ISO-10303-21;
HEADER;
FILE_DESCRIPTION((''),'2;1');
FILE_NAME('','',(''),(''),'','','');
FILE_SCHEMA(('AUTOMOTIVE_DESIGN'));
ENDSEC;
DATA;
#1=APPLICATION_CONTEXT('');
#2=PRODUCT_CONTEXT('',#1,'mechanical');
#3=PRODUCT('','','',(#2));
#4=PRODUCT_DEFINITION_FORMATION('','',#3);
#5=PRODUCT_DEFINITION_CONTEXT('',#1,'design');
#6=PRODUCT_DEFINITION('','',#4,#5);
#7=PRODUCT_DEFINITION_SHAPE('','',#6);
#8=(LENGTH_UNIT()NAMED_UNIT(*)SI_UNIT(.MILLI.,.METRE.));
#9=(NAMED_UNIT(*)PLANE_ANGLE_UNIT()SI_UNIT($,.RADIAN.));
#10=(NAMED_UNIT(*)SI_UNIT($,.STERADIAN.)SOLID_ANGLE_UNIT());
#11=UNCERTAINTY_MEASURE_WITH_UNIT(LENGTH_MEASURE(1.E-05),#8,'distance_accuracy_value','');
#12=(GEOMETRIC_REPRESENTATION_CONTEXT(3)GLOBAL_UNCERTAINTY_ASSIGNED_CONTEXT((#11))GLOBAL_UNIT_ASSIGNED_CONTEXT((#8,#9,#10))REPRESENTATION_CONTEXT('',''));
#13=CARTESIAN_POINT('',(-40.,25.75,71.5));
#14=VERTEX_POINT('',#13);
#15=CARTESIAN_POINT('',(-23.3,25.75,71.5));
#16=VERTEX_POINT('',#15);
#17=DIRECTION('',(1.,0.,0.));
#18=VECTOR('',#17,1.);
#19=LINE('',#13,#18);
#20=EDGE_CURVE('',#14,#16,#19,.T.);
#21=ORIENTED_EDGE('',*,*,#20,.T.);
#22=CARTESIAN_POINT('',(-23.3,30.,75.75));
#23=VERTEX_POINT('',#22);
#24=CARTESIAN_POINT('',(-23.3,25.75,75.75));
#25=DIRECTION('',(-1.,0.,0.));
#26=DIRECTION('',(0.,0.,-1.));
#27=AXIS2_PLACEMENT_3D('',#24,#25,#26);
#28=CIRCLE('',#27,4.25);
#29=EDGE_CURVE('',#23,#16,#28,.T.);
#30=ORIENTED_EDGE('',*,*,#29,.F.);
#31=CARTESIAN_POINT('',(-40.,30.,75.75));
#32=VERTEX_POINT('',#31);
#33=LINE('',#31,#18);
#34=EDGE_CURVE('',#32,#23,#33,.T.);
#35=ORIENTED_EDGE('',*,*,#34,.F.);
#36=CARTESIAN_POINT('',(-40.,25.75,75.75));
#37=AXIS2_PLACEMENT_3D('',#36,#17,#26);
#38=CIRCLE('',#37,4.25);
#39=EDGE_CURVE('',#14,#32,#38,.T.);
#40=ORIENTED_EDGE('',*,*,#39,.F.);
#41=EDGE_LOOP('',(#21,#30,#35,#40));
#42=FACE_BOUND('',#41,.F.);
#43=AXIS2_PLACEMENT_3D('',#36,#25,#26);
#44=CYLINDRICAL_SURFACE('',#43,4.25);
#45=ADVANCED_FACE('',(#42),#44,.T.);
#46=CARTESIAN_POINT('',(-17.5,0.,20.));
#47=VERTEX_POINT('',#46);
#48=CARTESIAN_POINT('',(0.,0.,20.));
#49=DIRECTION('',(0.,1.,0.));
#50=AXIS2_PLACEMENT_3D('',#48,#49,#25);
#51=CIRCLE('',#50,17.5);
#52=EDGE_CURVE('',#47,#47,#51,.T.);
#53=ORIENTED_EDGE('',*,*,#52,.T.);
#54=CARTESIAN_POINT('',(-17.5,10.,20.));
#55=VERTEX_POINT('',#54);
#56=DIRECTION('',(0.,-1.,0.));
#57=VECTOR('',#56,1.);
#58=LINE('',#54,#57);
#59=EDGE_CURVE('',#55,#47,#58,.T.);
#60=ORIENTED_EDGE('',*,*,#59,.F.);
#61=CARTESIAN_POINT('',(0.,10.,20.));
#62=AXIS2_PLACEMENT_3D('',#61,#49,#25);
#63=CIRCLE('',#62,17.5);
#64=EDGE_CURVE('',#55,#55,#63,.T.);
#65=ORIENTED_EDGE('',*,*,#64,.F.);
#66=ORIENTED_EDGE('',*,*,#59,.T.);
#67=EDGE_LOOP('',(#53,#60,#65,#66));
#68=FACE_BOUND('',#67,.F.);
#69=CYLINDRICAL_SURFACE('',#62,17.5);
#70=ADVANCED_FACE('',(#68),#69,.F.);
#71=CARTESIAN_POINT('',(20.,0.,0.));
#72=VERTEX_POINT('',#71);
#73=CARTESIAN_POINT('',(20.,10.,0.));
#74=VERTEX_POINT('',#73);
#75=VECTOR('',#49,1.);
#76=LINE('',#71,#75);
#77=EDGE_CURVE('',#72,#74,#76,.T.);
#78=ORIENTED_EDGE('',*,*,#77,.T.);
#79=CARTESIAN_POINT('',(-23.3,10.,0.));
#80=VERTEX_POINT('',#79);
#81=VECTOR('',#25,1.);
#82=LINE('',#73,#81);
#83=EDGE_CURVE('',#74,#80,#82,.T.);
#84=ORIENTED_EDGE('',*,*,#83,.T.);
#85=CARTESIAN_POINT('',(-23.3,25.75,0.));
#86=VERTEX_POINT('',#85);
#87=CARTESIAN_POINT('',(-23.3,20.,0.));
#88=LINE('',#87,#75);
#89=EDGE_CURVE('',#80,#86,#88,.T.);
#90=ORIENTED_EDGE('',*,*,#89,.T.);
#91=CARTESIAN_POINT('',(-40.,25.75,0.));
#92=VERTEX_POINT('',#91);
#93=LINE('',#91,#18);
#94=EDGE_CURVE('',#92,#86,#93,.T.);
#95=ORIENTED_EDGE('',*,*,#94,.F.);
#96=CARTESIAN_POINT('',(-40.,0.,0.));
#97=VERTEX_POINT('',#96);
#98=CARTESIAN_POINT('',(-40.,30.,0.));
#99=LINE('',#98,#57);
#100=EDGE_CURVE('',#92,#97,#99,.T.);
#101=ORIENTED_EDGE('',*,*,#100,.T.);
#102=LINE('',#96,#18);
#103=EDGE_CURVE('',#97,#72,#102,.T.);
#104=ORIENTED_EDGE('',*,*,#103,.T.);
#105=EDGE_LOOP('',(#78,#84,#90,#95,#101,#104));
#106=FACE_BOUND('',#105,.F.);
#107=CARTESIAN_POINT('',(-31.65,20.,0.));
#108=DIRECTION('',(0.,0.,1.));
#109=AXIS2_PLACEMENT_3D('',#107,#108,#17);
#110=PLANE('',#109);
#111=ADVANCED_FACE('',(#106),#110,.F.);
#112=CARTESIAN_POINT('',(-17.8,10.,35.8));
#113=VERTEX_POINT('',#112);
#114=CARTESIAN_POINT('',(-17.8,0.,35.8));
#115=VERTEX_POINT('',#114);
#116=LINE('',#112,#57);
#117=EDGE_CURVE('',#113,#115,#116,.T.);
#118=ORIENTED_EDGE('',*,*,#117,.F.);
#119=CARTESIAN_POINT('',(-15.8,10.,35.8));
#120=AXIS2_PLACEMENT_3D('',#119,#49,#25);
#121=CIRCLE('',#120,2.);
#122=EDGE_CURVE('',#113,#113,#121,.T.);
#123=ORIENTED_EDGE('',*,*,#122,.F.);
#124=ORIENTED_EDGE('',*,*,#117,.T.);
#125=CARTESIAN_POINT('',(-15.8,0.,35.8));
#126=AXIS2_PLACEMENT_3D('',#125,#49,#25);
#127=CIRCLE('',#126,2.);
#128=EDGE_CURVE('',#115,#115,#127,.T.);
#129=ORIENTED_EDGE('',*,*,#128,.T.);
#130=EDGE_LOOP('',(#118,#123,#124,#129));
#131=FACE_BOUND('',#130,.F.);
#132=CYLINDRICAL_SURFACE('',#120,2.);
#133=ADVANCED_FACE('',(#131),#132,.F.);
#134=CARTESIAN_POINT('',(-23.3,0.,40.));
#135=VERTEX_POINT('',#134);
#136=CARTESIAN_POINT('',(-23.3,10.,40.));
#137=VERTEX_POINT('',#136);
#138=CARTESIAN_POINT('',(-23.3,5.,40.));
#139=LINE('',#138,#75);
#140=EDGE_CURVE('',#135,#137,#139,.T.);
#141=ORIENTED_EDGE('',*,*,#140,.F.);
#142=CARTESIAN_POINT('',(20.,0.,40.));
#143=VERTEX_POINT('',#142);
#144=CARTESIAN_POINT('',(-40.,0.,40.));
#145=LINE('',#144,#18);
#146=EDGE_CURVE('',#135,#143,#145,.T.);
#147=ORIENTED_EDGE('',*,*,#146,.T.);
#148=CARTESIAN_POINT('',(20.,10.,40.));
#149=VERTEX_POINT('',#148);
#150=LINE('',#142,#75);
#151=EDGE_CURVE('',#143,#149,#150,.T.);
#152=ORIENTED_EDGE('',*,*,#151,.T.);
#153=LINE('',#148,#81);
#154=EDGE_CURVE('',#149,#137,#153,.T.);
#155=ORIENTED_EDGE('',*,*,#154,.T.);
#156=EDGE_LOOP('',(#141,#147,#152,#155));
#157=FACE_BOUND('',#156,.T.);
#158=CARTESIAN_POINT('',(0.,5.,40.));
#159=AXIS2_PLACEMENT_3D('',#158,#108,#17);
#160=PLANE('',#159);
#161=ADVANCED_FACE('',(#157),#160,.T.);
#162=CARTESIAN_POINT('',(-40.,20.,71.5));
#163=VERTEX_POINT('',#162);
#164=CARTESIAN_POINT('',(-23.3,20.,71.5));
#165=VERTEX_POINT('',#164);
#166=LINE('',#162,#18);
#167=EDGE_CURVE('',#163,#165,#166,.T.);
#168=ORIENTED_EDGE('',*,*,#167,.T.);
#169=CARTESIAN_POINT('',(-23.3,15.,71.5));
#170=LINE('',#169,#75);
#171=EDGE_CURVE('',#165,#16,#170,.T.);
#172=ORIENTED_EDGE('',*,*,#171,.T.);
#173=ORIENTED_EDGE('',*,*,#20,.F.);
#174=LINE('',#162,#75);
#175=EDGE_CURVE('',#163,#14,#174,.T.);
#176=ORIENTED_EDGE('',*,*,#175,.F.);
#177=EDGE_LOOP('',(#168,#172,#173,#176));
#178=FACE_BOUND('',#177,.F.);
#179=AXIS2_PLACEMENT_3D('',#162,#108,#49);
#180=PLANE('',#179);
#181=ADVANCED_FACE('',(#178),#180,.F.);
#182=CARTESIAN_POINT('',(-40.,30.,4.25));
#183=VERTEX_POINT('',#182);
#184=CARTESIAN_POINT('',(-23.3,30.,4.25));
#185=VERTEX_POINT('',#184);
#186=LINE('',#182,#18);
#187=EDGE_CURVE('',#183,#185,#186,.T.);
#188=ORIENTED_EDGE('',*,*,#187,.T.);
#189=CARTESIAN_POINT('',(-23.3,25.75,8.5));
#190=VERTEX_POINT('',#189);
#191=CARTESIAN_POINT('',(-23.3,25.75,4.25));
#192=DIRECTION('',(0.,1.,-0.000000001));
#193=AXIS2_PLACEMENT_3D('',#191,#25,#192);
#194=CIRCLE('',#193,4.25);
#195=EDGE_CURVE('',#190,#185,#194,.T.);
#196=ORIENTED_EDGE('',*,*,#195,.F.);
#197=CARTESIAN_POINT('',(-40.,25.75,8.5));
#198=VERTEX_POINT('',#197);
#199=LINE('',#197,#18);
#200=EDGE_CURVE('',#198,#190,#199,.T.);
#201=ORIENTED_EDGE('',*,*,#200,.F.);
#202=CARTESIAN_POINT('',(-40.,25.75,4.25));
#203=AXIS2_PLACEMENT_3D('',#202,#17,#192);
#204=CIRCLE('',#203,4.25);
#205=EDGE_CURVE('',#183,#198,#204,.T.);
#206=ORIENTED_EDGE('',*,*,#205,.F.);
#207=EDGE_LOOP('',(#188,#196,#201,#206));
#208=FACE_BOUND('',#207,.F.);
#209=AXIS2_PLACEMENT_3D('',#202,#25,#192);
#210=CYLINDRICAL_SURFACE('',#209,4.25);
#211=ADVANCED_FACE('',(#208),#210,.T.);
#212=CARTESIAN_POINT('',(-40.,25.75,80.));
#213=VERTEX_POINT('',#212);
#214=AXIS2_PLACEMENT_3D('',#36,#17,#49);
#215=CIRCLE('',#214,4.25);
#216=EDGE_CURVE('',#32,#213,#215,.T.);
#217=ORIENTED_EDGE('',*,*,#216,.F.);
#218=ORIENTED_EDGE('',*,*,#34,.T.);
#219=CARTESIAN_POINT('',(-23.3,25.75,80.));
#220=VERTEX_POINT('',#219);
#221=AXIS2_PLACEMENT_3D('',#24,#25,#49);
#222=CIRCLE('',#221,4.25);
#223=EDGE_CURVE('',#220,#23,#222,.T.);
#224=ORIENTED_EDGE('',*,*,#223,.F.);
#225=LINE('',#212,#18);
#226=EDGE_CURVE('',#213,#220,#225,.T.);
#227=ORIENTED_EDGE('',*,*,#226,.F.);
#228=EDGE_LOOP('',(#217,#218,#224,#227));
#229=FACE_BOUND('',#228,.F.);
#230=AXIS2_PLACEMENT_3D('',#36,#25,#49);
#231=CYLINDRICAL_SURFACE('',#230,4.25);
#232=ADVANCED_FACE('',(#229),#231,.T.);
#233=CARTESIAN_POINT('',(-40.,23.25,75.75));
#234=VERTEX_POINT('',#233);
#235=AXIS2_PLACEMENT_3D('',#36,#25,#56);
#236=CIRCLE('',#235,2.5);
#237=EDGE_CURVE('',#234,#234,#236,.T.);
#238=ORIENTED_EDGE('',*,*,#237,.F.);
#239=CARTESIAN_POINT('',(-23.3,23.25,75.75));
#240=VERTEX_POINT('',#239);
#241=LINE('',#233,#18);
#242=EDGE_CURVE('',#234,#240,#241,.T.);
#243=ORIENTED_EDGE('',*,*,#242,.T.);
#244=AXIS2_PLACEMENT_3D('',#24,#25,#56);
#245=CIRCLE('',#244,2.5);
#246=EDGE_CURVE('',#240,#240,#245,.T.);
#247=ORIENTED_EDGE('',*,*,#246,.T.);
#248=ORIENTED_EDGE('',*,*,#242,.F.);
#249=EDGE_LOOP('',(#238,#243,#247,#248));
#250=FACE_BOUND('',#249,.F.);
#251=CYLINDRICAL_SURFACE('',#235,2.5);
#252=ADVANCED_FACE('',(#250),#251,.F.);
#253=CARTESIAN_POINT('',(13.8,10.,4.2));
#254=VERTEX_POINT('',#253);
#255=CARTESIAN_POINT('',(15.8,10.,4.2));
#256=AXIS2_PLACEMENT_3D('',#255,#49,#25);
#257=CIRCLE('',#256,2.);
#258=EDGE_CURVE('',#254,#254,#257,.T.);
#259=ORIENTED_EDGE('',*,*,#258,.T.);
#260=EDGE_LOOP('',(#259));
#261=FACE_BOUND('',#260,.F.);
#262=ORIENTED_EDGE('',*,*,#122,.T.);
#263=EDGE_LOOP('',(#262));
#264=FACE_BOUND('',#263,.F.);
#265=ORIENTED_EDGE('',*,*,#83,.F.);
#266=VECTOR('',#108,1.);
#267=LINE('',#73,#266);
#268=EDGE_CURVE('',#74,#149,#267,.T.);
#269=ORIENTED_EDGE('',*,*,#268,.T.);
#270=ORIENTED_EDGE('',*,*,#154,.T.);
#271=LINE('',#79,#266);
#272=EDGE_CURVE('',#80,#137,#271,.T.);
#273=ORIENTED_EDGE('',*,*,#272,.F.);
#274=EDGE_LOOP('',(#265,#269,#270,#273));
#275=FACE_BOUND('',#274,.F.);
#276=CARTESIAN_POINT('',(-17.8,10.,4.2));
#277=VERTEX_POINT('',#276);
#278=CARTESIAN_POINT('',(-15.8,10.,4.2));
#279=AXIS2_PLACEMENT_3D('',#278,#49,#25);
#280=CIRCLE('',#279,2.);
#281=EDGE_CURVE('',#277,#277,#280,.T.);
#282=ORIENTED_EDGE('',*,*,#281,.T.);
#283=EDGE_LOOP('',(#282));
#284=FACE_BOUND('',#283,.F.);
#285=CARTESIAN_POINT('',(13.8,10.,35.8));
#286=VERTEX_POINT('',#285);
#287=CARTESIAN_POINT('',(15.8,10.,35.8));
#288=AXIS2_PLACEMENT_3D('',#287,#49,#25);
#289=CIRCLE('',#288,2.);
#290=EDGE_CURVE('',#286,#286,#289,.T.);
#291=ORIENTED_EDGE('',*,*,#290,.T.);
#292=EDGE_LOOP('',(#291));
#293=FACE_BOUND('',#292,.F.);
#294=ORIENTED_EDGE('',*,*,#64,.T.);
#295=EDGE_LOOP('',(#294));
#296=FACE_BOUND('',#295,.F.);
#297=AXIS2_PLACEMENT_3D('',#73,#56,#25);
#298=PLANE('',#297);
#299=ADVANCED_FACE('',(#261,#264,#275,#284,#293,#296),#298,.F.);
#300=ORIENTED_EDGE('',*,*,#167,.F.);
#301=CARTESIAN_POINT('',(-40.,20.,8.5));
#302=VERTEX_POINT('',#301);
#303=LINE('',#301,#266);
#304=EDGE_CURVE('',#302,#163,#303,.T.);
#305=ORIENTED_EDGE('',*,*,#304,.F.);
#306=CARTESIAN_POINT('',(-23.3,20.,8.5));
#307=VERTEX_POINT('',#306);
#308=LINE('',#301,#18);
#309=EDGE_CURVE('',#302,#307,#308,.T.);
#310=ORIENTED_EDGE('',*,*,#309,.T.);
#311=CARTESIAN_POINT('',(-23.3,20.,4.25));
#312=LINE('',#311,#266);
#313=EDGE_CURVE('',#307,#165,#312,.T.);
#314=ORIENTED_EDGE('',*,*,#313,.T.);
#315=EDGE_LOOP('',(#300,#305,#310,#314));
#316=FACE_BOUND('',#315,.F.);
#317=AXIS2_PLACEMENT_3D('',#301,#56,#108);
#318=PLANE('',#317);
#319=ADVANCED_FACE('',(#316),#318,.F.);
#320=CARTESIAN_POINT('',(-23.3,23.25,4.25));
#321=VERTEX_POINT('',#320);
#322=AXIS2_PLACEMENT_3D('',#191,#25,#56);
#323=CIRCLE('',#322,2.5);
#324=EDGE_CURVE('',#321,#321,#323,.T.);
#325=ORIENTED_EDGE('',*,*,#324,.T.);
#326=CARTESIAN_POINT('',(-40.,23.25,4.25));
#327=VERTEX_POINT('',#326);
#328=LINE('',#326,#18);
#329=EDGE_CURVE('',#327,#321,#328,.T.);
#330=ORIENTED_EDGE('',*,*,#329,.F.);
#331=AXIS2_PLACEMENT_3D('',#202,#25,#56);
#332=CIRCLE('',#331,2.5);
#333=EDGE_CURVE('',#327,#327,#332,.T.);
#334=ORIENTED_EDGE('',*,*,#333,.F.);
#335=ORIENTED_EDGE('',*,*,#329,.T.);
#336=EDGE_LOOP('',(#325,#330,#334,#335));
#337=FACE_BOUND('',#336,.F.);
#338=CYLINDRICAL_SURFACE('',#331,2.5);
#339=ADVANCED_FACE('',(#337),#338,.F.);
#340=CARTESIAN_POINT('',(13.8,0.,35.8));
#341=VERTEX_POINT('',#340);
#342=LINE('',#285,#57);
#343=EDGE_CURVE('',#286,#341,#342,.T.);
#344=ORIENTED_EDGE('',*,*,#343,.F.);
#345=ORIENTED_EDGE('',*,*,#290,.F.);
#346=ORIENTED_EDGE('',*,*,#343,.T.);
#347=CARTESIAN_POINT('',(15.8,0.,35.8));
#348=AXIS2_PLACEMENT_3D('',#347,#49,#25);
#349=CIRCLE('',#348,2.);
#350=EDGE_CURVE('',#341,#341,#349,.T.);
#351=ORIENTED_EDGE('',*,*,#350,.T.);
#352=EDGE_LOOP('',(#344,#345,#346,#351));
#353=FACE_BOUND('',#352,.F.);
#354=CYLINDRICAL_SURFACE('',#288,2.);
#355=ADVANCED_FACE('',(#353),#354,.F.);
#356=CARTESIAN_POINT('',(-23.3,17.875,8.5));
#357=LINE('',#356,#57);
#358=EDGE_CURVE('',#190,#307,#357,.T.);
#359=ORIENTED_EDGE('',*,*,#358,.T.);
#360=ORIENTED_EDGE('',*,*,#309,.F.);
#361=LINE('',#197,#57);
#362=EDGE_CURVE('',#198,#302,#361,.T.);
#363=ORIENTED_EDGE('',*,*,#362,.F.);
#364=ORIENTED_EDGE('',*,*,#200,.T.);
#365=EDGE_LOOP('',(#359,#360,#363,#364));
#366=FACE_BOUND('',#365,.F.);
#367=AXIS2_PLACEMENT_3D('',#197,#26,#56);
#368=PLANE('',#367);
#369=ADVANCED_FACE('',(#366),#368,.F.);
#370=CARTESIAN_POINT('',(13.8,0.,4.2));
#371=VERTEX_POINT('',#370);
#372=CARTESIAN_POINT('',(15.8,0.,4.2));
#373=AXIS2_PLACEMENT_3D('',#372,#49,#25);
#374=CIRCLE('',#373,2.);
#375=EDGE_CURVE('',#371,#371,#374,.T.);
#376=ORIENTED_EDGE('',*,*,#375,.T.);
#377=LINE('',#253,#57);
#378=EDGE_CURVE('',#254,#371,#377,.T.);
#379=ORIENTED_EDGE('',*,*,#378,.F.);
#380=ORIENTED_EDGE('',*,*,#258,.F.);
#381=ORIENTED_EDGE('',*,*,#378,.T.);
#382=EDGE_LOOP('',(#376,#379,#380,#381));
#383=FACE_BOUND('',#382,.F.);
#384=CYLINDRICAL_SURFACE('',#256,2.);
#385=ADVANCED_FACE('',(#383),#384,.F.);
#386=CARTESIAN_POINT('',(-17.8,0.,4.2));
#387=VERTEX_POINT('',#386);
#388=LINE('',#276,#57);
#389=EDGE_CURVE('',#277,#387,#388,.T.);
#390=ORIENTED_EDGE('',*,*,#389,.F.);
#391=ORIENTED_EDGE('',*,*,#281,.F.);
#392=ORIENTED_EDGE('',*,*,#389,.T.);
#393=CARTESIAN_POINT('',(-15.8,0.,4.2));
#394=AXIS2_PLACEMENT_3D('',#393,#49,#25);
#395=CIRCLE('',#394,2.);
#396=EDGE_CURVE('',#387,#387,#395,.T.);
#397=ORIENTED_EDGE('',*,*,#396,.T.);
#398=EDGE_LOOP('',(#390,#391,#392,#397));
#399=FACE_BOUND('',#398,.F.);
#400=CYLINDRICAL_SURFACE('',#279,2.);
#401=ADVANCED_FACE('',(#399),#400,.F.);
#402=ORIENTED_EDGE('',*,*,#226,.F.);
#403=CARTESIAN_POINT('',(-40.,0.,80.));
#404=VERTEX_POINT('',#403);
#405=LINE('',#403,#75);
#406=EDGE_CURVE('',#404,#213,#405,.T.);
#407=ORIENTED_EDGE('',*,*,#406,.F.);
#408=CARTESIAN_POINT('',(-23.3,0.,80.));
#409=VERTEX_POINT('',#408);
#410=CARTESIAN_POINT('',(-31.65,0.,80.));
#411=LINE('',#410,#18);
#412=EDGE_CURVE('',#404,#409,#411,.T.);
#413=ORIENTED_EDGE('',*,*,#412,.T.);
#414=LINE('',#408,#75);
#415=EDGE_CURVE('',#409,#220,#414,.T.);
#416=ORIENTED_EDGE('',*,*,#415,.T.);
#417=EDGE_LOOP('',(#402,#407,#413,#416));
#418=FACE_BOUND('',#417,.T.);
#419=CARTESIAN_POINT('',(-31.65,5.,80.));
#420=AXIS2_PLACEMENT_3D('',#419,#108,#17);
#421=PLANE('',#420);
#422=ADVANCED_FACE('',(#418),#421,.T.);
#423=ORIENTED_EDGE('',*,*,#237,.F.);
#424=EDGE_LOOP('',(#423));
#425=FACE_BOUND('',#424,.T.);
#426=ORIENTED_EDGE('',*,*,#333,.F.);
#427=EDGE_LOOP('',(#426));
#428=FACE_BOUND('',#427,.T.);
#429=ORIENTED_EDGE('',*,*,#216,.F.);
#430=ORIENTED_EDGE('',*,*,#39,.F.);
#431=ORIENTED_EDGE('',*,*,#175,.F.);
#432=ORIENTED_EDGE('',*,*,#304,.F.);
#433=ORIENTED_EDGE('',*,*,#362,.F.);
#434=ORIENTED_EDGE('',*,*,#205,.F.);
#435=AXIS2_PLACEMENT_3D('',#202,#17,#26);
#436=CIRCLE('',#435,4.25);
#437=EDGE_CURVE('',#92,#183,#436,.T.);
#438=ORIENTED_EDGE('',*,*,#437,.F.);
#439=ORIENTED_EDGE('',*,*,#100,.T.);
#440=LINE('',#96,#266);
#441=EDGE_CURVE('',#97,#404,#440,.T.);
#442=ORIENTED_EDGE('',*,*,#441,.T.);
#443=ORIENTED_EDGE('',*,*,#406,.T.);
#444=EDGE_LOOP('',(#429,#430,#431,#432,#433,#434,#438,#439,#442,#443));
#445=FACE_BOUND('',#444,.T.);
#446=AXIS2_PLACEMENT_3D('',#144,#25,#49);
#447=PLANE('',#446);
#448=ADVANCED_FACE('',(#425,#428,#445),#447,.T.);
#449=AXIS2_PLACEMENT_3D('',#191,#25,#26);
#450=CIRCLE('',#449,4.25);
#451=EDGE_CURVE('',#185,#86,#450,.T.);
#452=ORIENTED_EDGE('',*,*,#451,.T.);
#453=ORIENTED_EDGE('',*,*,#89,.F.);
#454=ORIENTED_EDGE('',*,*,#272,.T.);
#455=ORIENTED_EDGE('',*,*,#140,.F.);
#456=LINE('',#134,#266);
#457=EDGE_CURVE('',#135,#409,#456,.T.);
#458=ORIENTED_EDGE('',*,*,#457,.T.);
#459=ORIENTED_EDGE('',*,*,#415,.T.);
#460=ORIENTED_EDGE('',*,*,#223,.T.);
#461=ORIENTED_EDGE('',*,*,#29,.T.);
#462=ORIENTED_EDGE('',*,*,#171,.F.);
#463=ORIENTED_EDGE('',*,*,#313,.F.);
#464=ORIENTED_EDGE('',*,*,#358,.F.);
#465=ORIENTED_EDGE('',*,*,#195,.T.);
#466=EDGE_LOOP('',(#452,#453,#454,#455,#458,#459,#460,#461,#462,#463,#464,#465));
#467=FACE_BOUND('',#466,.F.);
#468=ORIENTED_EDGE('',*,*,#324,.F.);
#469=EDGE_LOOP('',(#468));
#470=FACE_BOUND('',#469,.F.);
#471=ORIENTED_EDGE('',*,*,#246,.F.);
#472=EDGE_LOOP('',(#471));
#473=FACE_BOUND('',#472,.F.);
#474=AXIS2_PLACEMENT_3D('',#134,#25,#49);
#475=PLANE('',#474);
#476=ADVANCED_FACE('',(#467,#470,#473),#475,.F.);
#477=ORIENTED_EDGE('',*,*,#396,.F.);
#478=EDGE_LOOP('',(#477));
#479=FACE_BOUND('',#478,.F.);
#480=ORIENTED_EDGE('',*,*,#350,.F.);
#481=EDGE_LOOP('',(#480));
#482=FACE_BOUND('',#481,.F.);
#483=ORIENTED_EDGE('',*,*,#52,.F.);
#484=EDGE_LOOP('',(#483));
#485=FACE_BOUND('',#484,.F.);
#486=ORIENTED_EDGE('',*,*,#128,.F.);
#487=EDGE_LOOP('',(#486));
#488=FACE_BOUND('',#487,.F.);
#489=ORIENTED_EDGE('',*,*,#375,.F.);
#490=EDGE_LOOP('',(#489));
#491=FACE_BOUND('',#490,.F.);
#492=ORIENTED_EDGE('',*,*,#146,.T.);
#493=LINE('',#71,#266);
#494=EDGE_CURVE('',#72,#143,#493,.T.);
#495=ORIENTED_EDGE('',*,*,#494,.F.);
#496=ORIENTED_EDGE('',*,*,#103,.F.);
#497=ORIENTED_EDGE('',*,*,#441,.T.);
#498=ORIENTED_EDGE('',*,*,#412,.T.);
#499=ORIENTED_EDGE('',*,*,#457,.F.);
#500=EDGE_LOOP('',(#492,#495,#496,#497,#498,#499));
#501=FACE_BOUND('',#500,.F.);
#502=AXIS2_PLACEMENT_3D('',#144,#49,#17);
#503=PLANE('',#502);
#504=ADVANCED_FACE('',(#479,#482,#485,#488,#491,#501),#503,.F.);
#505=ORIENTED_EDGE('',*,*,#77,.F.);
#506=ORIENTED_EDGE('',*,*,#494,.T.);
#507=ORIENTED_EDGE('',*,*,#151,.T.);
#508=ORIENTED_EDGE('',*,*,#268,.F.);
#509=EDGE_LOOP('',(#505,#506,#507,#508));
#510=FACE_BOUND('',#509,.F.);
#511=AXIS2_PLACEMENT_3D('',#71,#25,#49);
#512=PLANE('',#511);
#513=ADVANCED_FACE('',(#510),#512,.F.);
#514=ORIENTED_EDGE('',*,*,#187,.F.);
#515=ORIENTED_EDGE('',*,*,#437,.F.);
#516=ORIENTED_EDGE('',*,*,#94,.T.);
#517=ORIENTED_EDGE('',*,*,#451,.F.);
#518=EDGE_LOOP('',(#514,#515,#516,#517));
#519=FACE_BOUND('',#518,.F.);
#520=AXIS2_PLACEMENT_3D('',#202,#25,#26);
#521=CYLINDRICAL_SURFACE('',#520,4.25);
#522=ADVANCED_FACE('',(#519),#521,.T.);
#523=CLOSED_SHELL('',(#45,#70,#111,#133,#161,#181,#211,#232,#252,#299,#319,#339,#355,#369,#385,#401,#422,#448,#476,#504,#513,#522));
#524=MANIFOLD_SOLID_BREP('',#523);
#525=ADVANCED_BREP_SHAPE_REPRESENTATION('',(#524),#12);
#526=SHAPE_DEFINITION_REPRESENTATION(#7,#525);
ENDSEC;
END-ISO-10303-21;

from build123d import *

# Parameters (mm, degrees)
F1_DEPTH = 40
F0_W     = 16.7
F0_H     = 20
F2_DEPTH = 80
F3_R     = 2
F3_R_2   = 17.5
F4_DEPTH = 10.001
F5_R     = 2.5
F6_DEPTH = 60.001
F7_W     = 16.7
F7_H     = 10
F8_DEPTH = 40


with BuildPart() as f1:
    # F0 (on Top) → F1 (new body)
    with BuildSketch(Plane.XY):
        Polygon((-15.8, 10), (-20, 10), (-20, 0), (20, 0), (20, 10), (15.8, 10), align=None)
        Polygon((-23.3, 10), (-40, 10), (-40, 0), (-20, 0), (-20, 10), align=None)
    extrude(amount=F1_DEPTH)

    # F0 (on Top) → F2 (join)
    with BuildSketch(Plane.XY):
        with Locations((-31.65, 20)):
            Rectangle(F0_W, F0_H)
    extrude(amount=F2_DEPTH)

    # F3 (on face) → F4 (cut, through all)
    with BuildSketch(Plane(origin=(0, 10, 0), x_dir=(-1, 0, 0), z_dir=(0, 1, 0))):
        with Locations((-15.8, 4.2)):
            Circle(F3_R)
        with Locations((-15.8, 35.8)):
            Circle(F3_R)
        with Locations((15.8, 35.8)):
            Circle(F3_R)
        with Locations((15.8, 4.2)):
            Circle(F3_R)
        with Locations((0, 20)):
            Circle(F3_R_2)
    extrude(amount=-F4_DEPTH, mode=Mode.SUBTRACT)

    # F5 (on face) → F6 (cut, through all)
    with BuildSketch(Plane(origin=(-40, 0, 0), x_dir=(0, -1, 0), z_dir=(-1, 0, 0))):
        with Locations((-25.75, 75.75)):
            Circle(F5_R)
        with BuildLine():
            Line((-30, 80), (-30, 75.75))
            ThreePointArc((-30, 75.75), (-28.75520382, 78.75520382), (-25.75, 80))
            Line((-25.75, 80), (-30, 80))
        make_face()
        with BuildLine():
            Line((-20, 71.5), (-25.75, 71.5))
            ThreePointArc((-25.75, 71.5), (-28.75520382, 72.74479618), (-30, 75.75))
            Line((-30, 75.75), (-30, 4.2499999975))
            ThreePointArc((-30, 4.2499999975), (-28.7552038209, 7.2552038191), (-25.75, 8.5))
            Line((-25.75, 8.5), (-20, 8.5))
            Line((-20, 8.5), (-20, 71.5))
        make_face()
        with BuildLine():
            ThreePointArc((-25.75, 0), (-28.7552038191, 1.2447961791), (-30, 4.2499999975))
            Line((-30, 4.2499999975), (-30, 0))
            Line((-30, 0), (-25.75, 0))
        make_face()
        with Locations((-25.75, 4.25)):
            Circle(F5_R)
    extrude(amount=-F6_DEPTH, mode=Mode.SUBTRACT)

    # F7 (on face) → F8 (join, through all)
    with BuildSketch(Plane.XY.offset(40)):
        with Locations((-31.65, 5)):
            Rectangle(F7_W, F7_H)
    extrude(amount=F8_DEPTH)


solid = f1.part
